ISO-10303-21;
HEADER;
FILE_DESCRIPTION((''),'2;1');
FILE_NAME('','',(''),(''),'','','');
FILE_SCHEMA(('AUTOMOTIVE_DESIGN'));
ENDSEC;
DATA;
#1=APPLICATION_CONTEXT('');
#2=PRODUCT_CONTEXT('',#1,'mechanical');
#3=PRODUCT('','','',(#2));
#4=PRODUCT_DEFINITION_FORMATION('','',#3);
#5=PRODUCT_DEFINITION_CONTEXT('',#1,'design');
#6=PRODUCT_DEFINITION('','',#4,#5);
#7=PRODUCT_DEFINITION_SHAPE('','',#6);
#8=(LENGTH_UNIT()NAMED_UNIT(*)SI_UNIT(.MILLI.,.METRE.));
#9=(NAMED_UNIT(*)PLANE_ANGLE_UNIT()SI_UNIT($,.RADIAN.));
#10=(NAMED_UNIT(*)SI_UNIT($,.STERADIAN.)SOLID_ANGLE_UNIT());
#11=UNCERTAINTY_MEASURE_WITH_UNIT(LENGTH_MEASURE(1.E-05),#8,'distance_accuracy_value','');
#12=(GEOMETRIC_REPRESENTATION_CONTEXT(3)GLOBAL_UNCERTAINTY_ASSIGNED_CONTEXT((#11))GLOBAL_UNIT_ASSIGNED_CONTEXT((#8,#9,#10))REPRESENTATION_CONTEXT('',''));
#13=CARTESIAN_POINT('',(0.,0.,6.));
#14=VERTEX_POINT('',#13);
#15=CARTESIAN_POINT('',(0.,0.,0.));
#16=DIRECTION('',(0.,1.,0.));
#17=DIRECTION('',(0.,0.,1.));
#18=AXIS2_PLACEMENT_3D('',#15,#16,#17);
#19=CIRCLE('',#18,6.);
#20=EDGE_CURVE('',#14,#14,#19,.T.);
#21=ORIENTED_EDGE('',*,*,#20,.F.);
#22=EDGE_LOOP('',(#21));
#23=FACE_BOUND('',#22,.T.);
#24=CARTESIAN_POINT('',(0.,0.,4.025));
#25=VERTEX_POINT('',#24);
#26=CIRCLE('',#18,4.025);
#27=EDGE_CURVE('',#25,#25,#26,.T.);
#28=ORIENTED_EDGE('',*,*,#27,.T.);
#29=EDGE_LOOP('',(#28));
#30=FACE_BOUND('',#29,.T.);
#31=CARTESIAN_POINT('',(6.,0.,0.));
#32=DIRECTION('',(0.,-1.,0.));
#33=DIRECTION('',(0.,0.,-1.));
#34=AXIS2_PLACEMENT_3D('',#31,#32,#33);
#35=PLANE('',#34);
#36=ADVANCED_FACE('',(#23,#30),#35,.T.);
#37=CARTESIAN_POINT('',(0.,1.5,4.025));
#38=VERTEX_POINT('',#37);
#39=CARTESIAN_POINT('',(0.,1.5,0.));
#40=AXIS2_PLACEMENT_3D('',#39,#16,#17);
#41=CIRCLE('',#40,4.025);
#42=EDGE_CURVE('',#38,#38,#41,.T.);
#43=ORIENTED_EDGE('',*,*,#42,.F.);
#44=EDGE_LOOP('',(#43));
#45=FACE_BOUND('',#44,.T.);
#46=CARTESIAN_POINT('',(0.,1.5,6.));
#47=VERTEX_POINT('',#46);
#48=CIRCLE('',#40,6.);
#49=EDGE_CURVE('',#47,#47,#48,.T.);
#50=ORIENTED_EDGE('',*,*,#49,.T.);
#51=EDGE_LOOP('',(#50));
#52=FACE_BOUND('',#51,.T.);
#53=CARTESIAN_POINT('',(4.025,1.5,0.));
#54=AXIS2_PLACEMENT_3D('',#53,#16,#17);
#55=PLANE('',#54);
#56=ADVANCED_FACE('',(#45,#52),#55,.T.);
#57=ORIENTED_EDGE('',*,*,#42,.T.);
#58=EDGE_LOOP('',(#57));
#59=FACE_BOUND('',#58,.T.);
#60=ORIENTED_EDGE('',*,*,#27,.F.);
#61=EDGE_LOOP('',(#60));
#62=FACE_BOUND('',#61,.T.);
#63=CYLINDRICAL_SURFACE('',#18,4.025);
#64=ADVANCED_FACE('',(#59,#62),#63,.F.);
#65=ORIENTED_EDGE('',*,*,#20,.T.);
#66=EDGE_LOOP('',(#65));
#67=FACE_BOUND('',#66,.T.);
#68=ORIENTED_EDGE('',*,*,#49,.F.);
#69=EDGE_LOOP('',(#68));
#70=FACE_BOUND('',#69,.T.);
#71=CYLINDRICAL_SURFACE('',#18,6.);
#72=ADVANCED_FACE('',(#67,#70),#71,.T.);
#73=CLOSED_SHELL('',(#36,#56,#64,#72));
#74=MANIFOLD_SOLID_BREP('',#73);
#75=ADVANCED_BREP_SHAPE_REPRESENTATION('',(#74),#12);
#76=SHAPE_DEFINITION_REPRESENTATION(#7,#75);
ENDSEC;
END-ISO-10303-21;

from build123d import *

# Parameters (mm, degrees)
SKETCH_1_W = 1.975
SKETCH_1_H = 1.5


with BuildPart() as part:
    # Эскиз1 → Повернуть1 (revolve)
    with BuildSketch(Plane(origin=(0, 0, 0), x_dir=(-1, 0, 0), z_dir=(0, 0, -1)), mode=Mode.PRIVATE) as revolve_1_sk:
        with Locations((-5.0125, 0.75)):
            Rectangle(SKETCH_1_W, SKETCH_1_H)
    revolve(revolve_1_sk.sketch.rotate(Axis((0, 0, 0), (0, 1, 0)), 270), axis=Axis((0, 0, 0), (0, 1, 0)))


solid = part.part
